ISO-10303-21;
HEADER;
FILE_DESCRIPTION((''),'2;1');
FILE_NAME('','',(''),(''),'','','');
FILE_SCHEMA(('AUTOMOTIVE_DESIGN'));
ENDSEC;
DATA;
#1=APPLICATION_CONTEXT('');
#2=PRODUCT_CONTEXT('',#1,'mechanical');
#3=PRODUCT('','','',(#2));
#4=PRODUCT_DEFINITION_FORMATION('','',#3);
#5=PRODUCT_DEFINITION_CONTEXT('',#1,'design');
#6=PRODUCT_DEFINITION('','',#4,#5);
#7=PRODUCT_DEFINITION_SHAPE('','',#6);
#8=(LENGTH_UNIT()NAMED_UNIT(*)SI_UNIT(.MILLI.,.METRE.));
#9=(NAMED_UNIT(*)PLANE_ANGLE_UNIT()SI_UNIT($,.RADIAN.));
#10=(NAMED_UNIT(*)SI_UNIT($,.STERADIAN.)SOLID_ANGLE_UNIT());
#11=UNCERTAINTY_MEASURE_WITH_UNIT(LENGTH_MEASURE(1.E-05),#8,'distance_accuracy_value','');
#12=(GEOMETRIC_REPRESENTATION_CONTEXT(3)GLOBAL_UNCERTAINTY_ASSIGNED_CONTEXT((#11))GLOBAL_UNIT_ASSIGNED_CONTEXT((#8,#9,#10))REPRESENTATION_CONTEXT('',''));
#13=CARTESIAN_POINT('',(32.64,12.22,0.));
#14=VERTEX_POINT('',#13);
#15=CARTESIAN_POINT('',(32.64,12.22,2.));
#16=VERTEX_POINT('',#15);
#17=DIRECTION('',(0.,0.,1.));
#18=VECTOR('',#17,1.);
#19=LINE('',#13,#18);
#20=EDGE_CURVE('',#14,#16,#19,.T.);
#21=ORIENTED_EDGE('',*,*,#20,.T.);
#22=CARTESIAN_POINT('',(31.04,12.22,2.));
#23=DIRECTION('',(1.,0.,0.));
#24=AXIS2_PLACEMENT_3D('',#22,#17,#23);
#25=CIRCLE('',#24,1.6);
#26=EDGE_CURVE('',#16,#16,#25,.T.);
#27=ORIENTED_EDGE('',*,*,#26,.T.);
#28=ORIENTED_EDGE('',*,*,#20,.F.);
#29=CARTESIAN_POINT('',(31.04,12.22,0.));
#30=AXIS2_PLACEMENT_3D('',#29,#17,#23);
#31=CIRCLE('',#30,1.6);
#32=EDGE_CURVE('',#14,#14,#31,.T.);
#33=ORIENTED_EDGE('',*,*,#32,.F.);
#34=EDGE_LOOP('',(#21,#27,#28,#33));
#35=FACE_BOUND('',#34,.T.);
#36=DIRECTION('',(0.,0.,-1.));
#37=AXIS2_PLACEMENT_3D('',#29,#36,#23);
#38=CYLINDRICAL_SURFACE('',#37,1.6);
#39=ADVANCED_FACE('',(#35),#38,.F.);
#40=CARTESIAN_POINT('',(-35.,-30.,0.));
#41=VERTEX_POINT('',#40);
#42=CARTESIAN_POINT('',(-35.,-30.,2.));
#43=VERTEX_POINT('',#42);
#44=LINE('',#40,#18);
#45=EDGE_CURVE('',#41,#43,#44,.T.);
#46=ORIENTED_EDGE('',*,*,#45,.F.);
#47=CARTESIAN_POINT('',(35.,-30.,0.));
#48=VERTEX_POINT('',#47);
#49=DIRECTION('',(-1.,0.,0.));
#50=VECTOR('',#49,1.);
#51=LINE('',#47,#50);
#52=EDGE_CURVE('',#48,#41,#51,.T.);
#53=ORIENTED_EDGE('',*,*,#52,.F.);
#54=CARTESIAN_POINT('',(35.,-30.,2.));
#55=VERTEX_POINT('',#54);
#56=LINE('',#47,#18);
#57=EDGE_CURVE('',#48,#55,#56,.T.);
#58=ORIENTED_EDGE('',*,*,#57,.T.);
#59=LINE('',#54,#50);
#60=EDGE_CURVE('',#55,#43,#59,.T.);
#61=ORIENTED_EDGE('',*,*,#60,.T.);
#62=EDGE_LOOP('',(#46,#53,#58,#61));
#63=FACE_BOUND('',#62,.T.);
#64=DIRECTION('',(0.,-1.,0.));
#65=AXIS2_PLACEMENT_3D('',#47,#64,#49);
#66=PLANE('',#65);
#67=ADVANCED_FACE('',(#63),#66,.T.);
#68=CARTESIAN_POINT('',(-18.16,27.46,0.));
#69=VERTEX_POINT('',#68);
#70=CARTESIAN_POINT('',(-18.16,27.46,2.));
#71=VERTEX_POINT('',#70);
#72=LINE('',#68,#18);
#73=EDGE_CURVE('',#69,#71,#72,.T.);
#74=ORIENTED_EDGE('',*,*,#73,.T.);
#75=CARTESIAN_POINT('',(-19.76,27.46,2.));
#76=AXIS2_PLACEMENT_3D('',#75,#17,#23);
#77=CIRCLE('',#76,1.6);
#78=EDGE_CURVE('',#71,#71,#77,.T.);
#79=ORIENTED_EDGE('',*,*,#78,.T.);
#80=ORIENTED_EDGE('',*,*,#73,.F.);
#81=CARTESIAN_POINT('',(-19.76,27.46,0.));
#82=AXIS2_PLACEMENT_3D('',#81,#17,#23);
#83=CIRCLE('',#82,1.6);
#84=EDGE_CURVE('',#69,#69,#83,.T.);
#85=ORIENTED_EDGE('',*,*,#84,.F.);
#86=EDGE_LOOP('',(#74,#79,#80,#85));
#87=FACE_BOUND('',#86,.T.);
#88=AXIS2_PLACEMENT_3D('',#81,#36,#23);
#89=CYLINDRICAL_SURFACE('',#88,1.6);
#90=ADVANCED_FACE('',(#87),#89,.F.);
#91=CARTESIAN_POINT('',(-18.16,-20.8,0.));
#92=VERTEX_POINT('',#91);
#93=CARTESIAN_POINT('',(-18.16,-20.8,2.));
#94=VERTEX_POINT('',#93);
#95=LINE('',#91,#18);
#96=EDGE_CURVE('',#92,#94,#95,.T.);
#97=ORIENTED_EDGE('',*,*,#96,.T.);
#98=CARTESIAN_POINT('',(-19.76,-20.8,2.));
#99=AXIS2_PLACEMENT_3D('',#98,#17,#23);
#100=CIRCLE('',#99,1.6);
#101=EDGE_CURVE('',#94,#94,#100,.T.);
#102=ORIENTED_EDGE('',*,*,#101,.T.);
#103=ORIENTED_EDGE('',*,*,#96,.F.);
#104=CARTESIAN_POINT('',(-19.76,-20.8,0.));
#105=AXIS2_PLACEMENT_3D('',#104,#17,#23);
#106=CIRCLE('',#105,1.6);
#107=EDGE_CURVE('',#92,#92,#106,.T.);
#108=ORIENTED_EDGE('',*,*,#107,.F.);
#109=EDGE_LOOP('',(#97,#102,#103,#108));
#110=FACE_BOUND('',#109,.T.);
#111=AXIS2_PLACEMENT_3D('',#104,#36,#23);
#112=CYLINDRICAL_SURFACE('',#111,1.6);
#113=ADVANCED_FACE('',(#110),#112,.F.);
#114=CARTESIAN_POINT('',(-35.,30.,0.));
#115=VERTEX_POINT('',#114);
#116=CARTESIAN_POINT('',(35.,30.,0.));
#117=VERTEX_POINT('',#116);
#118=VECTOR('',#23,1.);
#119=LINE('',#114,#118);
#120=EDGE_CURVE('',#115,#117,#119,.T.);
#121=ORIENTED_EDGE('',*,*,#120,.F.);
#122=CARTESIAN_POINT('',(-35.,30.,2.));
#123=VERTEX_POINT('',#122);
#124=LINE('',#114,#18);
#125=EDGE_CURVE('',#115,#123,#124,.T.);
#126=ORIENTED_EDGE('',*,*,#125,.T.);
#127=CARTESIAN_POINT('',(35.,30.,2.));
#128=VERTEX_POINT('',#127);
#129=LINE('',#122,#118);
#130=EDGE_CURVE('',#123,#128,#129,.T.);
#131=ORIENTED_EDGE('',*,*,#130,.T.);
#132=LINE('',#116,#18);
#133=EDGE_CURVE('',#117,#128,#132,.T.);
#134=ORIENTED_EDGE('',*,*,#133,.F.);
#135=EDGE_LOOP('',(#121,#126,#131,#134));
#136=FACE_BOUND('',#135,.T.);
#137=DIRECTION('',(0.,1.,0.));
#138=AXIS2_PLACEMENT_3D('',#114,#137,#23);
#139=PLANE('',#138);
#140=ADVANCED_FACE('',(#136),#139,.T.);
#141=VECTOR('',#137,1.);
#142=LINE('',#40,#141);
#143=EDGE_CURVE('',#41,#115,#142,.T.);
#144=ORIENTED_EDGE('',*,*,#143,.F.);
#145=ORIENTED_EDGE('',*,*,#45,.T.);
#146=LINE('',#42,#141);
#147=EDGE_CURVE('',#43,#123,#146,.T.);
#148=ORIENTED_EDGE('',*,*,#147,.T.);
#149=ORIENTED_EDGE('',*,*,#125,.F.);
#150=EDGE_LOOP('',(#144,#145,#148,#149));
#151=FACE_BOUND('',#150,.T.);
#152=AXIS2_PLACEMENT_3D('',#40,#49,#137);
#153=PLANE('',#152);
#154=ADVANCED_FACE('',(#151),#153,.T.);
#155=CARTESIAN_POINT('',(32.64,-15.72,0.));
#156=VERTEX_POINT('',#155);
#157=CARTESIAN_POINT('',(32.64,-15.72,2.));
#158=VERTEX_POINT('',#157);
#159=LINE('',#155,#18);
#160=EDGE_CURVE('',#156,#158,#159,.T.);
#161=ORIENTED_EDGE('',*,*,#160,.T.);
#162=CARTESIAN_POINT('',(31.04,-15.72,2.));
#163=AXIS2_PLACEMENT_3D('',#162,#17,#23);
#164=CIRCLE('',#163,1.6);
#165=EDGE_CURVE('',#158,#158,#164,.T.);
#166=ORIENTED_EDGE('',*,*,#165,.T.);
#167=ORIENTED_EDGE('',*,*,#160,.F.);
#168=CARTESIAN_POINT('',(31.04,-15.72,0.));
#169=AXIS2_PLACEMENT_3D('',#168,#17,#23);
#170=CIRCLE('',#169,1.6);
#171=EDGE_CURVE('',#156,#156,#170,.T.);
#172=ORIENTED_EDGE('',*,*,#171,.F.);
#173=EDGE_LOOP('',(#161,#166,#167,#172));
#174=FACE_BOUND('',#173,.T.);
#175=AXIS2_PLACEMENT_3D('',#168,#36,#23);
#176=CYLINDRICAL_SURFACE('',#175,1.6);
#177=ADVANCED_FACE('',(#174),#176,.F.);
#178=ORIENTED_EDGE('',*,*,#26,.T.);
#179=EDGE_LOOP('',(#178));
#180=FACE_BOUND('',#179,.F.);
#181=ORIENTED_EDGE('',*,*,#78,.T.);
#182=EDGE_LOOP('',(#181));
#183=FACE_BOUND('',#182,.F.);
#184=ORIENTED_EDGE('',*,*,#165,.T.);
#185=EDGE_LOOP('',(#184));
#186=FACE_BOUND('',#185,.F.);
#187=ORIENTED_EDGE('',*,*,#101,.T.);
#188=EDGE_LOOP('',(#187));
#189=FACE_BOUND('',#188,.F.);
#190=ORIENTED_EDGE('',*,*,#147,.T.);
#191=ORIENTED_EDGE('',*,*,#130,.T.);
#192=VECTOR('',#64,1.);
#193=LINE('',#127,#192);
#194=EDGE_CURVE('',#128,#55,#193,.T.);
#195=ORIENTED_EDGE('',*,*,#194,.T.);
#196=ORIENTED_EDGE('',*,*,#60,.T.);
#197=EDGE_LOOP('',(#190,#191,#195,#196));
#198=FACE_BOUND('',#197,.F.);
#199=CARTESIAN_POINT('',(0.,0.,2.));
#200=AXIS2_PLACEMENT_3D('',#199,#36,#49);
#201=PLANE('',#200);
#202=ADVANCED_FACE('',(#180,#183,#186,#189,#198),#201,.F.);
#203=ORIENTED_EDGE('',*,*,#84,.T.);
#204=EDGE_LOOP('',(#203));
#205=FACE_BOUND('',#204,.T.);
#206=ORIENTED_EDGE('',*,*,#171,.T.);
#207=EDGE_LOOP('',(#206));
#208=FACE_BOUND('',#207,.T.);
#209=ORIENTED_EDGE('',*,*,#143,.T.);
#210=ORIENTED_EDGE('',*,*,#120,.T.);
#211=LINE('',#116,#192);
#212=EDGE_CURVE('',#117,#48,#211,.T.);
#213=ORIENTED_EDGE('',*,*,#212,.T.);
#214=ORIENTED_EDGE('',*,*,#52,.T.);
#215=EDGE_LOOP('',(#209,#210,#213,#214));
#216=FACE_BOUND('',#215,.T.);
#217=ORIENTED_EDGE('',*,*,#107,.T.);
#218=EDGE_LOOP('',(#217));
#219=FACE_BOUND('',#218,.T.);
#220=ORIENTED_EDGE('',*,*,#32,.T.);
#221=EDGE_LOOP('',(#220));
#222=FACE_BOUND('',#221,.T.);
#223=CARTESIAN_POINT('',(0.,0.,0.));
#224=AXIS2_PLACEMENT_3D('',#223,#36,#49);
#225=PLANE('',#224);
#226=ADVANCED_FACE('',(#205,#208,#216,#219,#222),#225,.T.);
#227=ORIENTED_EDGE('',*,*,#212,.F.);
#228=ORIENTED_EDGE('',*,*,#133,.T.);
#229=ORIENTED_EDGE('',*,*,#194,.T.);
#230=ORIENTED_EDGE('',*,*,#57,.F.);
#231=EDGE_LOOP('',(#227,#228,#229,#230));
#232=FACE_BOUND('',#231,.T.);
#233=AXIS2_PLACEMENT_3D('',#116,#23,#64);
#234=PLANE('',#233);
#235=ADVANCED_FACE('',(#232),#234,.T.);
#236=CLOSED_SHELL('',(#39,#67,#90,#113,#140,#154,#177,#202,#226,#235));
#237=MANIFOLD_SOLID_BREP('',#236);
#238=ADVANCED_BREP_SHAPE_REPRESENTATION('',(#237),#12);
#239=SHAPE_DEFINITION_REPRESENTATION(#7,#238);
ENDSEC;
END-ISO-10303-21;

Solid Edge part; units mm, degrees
sketch "Sketch1" plane through (0, 0, 0) normal (0, 0, 1) x (1, 0, 0)
  circle A0 centre (31.04, -15.72) radius 1.6
  circle A1 centre (-19.76, -20.8) radius 1.6
  line L0 (-35, -30) -> (-35, 30)
  line L1 (-35, 30) -> (35, 30)
  line L2 (35, 30) -> (35, -30)
  line L3 (35, -30) -> (-35, -30)
  circle A2 centre (31.04, 12.22) radius 1.6
  circle A3 centre (-19.76, 27.46) radius 1.6
  dimension "D1" = 70
  dimension "D2" = 60
  dimension "D3" = 66.04
  dimension "D4" = 17.78
  dimension "D5" = 45.72
  dimension "D6" = 50.8
  dimension "D7" = 2.54
  dimension "D8" = 15.24
extrude "Protrusion1" add sketch "Sketch1" along normal blind 2
